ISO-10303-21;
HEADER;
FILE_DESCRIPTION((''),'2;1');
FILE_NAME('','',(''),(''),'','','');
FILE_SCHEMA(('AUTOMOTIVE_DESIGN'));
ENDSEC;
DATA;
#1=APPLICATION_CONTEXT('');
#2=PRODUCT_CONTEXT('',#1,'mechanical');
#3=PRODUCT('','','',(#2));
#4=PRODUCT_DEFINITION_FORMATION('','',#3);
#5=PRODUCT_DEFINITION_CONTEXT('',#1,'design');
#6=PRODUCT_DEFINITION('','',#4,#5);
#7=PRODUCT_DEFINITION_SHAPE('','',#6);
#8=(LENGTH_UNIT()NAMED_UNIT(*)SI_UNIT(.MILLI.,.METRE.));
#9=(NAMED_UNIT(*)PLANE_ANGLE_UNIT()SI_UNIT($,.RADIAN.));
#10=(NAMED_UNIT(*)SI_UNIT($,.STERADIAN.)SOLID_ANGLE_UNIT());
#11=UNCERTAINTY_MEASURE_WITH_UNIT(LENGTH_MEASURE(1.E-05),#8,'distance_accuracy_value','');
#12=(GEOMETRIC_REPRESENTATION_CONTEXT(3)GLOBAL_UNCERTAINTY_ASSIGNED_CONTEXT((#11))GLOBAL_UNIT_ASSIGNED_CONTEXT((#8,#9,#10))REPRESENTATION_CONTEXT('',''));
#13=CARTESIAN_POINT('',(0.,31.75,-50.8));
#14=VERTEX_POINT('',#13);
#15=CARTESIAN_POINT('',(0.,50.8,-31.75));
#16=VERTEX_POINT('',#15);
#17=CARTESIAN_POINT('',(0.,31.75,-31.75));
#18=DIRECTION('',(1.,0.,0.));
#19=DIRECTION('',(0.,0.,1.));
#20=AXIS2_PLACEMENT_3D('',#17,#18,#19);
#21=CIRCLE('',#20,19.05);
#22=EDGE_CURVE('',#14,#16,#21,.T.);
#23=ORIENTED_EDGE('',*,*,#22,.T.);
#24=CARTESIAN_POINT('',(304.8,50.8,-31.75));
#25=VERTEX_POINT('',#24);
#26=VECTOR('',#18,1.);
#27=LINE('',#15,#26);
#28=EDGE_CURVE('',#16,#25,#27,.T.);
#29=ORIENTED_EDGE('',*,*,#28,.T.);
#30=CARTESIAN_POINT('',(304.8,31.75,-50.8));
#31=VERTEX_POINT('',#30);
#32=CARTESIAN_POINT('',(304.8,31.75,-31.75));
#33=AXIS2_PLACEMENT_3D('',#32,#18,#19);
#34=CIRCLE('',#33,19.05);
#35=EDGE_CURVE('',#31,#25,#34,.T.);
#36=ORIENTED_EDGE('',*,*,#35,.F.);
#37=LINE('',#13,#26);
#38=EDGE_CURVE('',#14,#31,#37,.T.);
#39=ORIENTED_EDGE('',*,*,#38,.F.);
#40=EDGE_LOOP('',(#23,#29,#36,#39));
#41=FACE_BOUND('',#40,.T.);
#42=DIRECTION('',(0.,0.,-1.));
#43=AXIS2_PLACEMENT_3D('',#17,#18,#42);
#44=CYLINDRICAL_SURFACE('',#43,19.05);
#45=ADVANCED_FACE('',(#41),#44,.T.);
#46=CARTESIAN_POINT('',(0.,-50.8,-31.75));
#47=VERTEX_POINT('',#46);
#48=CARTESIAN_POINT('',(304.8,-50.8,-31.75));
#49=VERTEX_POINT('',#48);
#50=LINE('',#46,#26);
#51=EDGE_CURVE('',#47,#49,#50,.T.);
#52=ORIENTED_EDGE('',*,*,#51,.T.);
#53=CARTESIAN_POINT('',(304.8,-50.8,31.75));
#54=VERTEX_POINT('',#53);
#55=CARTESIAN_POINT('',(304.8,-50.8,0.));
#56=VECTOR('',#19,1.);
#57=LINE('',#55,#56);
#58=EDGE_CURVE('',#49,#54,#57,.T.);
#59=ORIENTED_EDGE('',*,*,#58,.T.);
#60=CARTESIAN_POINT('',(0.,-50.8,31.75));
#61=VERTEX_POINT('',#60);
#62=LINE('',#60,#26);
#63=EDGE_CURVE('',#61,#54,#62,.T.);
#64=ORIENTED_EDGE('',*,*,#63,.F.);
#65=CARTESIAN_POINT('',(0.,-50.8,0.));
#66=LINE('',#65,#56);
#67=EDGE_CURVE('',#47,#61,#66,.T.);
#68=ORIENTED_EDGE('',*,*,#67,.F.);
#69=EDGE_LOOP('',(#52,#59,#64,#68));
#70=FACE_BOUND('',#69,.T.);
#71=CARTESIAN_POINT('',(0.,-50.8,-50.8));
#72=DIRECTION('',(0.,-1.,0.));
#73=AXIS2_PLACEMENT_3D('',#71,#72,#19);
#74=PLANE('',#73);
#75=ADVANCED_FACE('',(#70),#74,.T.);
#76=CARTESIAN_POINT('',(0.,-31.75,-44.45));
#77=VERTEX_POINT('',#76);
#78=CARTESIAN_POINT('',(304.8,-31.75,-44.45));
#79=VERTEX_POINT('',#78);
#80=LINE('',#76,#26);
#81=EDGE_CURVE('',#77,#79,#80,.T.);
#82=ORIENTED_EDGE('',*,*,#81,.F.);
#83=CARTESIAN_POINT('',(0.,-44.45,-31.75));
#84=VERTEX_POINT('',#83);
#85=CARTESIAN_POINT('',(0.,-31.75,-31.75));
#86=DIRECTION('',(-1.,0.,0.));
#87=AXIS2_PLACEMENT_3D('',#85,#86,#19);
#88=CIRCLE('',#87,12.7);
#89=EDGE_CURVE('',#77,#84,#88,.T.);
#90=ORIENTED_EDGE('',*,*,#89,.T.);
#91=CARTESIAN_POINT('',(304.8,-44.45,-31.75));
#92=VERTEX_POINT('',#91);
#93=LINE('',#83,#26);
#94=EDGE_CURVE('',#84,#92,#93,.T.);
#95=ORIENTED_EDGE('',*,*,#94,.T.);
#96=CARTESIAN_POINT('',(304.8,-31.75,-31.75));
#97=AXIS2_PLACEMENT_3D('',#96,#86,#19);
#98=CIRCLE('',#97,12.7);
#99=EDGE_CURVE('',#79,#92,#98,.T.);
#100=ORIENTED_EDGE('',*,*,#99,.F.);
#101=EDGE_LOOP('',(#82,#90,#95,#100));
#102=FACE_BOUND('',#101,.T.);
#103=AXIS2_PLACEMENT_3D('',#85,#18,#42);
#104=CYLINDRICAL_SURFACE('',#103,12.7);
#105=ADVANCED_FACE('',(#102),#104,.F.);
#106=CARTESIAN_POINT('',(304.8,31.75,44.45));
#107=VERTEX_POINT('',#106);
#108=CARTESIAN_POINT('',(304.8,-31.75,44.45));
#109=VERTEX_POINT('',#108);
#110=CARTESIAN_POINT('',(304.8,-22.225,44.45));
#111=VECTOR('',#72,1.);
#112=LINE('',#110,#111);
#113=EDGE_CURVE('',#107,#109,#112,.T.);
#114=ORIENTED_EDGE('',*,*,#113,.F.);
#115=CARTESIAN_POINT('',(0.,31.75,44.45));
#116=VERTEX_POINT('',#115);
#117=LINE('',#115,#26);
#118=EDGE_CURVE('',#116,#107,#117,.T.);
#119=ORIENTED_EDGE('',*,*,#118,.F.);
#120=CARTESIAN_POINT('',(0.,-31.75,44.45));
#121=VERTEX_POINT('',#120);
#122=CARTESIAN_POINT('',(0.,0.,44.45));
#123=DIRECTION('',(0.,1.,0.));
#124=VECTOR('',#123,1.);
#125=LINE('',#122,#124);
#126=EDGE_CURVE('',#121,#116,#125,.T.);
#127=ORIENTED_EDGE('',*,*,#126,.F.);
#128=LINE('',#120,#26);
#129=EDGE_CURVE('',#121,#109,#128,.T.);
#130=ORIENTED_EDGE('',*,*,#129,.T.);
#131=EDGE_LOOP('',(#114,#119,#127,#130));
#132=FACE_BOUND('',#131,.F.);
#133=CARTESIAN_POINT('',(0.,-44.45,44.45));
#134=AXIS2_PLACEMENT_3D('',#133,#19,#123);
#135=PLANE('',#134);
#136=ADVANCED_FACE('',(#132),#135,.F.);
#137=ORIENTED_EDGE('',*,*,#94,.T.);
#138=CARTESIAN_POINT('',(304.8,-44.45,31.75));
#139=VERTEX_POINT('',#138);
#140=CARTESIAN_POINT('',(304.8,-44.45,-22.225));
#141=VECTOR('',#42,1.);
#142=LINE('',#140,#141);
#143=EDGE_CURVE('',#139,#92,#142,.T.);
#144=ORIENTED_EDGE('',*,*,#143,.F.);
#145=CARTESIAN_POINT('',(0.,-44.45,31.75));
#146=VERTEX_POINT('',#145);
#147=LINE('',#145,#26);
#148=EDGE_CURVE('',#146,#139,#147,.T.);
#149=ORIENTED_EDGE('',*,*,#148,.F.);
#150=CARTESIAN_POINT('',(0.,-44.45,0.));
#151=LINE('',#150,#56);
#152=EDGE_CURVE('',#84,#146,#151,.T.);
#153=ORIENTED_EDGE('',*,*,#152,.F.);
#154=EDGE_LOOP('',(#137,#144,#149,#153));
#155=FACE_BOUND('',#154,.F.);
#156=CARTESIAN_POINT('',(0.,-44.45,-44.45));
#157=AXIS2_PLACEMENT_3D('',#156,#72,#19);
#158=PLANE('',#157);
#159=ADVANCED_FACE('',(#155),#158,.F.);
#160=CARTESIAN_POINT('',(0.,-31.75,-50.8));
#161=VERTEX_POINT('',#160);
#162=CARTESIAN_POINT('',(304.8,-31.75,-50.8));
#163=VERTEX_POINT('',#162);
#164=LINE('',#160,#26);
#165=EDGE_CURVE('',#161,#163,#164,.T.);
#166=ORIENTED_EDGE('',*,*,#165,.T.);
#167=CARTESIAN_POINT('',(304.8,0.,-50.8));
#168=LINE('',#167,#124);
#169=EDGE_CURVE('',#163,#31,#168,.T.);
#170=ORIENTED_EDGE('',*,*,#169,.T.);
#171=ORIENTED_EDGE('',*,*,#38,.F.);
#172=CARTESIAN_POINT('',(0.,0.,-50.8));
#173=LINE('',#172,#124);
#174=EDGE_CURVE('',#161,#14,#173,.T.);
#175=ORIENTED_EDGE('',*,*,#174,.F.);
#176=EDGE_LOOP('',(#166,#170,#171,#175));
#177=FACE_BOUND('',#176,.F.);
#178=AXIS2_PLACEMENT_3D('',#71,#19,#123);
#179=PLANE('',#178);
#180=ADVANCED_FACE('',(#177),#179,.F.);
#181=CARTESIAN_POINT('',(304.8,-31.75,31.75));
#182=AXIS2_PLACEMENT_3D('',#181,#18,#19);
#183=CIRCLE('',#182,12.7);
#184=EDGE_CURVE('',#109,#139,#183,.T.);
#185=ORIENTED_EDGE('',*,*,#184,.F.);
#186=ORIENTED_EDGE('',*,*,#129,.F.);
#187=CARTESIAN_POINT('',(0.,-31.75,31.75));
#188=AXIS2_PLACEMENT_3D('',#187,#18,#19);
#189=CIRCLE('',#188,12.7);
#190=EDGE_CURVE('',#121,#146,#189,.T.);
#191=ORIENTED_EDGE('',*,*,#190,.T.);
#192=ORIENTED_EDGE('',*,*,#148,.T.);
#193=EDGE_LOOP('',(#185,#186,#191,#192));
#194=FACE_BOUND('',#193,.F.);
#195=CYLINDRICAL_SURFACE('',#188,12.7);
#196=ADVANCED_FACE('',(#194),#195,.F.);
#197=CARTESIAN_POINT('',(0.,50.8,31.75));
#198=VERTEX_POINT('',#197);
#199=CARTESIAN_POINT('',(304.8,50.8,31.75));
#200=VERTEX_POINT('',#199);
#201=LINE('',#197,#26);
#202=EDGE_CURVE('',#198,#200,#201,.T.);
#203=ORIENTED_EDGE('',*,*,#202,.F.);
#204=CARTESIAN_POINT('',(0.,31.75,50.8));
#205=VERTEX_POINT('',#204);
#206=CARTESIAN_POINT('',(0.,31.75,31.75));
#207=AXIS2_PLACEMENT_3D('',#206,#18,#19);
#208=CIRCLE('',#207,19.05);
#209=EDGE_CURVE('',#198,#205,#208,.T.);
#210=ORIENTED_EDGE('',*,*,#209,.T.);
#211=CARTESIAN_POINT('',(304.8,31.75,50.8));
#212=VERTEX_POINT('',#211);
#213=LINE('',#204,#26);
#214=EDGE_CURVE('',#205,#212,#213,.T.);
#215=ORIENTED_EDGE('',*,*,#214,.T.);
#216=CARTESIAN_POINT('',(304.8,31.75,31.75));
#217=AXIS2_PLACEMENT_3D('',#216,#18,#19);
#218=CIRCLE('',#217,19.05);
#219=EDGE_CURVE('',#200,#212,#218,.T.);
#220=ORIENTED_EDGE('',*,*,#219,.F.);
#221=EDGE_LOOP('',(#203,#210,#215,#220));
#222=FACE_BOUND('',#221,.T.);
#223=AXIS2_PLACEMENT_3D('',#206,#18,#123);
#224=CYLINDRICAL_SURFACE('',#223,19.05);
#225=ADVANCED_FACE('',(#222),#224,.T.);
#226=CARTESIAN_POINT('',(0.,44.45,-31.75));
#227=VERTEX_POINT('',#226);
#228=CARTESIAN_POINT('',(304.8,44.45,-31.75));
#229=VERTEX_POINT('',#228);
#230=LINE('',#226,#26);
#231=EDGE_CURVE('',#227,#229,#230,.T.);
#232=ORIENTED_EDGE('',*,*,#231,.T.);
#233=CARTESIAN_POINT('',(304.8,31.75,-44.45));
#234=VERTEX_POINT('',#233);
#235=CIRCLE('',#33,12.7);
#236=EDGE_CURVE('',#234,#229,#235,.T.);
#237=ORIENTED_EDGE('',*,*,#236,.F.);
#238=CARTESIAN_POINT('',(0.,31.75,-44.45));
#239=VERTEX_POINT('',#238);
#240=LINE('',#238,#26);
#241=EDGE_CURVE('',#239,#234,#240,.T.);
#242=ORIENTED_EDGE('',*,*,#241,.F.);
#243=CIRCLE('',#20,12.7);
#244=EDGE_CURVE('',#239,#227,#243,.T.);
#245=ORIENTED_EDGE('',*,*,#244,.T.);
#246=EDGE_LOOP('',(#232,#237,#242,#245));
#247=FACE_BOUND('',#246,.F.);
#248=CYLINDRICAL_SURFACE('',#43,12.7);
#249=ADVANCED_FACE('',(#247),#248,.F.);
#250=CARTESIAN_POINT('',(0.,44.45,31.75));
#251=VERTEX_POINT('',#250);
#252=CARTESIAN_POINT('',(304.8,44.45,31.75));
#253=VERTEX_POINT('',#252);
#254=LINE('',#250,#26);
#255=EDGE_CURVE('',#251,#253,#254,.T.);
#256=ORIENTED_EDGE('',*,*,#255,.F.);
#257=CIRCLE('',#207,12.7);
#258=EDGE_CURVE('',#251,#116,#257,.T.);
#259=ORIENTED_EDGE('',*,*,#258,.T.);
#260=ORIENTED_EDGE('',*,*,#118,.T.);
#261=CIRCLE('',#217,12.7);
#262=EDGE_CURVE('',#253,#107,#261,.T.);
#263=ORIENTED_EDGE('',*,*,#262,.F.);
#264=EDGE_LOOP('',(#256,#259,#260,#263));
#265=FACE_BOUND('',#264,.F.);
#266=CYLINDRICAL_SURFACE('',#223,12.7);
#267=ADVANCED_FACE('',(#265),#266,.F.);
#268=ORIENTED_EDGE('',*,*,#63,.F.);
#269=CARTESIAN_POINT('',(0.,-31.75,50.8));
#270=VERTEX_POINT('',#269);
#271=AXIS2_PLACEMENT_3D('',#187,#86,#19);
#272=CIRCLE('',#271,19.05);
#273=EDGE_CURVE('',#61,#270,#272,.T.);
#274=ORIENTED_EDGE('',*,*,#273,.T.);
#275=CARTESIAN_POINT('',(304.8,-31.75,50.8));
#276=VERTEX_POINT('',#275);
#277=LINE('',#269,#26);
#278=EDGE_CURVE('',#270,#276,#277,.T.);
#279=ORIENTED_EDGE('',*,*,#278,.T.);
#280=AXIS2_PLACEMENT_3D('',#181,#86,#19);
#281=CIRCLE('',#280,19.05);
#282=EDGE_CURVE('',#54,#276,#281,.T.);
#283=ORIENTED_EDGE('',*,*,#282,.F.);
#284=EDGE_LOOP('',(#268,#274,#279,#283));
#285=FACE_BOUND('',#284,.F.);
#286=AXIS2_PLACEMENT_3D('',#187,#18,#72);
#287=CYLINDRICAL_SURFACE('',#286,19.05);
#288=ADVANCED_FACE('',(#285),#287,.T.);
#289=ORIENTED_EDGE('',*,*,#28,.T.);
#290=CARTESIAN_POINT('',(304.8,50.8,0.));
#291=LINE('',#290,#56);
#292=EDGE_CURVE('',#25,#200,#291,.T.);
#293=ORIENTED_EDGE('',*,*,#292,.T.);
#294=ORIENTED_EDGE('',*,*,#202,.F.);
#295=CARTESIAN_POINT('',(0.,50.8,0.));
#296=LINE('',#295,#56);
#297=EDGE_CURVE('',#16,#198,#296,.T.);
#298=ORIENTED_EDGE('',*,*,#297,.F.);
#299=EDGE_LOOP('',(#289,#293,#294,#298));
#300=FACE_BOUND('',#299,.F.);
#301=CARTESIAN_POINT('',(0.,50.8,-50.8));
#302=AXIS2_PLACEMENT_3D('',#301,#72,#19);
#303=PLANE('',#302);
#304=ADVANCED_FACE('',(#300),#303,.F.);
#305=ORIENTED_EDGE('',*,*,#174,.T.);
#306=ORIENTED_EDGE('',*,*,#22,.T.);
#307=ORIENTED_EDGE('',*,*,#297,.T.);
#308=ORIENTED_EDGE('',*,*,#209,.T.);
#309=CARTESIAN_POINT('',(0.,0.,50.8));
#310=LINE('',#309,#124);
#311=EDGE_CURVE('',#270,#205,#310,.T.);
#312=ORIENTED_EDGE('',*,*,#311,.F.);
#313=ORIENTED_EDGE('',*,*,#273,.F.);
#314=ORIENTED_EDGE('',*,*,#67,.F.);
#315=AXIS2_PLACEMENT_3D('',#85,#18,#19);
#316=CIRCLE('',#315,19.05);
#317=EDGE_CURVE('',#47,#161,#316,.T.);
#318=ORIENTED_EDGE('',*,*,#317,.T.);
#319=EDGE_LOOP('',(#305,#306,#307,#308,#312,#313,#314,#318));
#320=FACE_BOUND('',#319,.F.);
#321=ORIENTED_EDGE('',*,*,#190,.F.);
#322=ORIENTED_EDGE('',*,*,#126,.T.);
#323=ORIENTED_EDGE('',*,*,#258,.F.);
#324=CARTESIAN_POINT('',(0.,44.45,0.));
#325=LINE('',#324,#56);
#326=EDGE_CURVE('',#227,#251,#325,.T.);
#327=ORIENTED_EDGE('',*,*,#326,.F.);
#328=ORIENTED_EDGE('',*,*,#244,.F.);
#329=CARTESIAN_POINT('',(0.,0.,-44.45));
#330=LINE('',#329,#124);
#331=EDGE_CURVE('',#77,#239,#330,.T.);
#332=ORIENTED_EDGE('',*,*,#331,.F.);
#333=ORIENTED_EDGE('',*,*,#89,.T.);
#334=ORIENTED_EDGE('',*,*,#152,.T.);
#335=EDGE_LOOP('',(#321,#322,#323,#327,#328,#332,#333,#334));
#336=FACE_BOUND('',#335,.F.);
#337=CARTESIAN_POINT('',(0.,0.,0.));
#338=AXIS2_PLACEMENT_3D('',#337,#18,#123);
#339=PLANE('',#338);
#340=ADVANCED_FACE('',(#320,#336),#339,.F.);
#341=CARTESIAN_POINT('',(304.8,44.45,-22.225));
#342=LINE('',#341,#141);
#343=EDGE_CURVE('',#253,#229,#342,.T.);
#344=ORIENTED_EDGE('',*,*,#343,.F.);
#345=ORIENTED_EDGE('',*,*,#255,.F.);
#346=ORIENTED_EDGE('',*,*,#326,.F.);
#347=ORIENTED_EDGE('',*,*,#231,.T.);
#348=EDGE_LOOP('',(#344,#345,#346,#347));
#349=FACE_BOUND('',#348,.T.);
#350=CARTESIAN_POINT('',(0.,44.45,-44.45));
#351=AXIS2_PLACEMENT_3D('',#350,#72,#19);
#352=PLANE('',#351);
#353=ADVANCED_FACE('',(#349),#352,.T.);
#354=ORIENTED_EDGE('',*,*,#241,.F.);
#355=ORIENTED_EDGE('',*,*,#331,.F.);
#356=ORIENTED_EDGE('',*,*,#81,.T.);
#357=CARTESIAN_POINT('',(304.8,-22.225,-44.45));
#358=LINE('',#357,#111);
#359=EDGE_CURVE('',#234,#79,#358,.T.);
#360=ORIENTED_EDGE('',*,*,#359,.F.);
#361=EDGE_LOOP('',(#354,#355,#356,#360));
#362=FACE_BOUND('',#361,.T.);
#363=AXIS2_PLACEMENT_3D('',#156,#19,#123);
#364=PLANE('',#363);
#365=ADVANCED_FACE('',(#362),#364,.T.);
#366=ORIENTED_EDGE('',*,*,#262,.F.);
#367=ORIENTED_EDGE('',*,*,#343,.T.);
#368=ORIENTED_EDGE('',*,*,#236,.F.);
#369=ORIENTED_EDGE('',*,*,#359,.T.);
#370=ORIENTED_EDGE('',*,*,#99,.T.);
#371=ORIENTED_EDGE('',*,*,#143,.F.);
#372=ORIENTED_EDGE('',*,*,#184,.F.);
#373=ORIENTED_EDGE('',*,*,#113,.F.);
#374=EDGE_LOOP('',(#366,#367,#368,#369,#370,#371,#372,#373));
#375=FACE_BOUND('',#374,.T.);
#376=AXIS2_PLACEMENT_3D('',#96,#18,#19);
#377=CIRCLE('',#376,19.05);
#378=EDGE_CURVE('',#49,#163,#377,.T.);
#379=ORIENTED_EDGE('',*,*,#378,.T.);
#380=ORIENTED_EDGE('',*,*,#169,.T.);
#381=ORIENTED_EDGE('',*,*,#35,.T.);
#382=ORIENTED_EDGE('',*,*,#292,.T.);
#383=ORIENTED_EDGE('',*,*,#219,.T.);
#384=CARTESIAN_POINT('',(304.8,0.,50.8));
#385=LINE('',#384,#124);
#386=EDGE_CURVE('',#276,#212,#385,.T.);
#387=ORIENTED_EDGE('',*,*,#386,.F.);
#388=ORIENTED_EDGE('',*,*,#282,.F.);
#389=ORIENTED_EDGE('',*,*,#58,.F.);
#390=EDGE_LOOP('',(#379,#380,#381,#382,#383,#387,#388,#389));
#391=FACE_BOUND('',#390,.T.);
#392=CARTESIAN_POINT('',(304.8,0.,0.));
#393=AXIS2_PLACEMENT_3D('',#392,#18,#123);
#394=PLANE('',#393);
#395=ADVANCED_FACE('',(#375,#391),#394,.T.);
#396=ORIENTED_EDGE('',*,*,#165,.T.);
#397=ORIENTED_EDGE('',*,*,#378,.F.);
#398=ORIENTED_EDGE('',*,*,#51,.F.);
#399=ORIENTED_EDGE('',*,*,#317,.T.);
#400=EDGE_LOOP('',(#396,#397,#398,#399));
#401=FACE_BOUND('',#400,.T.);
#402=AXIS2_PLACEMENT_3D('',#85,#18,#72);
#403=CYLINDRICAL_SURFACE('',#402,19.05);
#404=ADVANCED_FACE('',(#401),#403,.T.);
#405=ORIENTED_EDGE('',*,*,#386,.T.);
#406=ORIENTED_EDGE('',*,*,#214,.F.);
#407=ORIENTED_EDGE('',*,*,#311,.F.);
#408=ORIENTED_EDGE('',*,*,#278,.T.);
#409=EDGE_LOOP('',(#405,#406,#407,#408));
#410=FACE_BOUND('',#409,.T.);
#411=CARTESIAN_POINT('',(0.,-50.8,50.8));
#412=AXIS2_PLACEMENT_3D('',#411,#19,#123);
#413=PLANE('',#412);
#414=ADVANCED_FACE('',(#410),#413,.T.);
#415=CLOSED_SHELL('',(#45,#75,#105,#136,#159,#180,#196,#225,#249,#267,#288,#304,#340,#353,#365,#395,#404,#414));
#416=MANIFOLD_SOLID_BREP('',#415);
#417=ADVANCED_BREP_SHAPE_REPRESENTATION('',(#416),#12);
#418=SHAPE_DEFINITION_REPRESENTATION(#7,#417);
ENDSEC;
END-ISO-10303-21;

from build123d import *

# Parameters (mm, degrees)
SKETCH_W     = 101.6
SKETCH_H     = 101.6
PAD_DEPTH    = 304.8
FILLET_R     = 19.05
SKETCH001_W  = 88.9
SKETCH001_H  = 88.9
POCKET_DEPTH = 304.801
FILLET001_R  = 12.7


with BuildPart() as part:
    # Sketch → Pad (new body)
    with BuildSketch(Plane.YZ):
        Rectangle(SKETCH_W, SKETCH_H)
    extrude(amount=PAD_DEPTH)

    # Fillet
    fillet_edges = [part.edges().sort_by_distance(p)[0] for p in [
        (152.4, 50.8, 50.8),
        (152.4, -50.8, 50.8),
        (152.4, 50.8, -50.8),
        (152.4, -50.8, -50.8),
    ]]
    fillet(fillet_edges, radius=FILLET_R)

    # Sketch001 → Pocket (cut, through all)
    with BuildSketch(Plane.YZ):
        Rectangle(SKETCH001_W, SKETCH001_H)
    extrude(amount=POCKET_DEPTH, mode=Mode.SUBTRACT)

    # Fillet001
    fillet001_edges = [part.edges().sort_by_distance(p)[0] for p in [
        (152.4, -44.45, -44.45),
        (152.4, -44.45, 44.45),
        (152.4, 44.45, 44.45),
        (152.4, 44.45, -44.45),
    ]]
    fillet(fillet001_edges, radius=FILLET001_R)


solid = part.part
